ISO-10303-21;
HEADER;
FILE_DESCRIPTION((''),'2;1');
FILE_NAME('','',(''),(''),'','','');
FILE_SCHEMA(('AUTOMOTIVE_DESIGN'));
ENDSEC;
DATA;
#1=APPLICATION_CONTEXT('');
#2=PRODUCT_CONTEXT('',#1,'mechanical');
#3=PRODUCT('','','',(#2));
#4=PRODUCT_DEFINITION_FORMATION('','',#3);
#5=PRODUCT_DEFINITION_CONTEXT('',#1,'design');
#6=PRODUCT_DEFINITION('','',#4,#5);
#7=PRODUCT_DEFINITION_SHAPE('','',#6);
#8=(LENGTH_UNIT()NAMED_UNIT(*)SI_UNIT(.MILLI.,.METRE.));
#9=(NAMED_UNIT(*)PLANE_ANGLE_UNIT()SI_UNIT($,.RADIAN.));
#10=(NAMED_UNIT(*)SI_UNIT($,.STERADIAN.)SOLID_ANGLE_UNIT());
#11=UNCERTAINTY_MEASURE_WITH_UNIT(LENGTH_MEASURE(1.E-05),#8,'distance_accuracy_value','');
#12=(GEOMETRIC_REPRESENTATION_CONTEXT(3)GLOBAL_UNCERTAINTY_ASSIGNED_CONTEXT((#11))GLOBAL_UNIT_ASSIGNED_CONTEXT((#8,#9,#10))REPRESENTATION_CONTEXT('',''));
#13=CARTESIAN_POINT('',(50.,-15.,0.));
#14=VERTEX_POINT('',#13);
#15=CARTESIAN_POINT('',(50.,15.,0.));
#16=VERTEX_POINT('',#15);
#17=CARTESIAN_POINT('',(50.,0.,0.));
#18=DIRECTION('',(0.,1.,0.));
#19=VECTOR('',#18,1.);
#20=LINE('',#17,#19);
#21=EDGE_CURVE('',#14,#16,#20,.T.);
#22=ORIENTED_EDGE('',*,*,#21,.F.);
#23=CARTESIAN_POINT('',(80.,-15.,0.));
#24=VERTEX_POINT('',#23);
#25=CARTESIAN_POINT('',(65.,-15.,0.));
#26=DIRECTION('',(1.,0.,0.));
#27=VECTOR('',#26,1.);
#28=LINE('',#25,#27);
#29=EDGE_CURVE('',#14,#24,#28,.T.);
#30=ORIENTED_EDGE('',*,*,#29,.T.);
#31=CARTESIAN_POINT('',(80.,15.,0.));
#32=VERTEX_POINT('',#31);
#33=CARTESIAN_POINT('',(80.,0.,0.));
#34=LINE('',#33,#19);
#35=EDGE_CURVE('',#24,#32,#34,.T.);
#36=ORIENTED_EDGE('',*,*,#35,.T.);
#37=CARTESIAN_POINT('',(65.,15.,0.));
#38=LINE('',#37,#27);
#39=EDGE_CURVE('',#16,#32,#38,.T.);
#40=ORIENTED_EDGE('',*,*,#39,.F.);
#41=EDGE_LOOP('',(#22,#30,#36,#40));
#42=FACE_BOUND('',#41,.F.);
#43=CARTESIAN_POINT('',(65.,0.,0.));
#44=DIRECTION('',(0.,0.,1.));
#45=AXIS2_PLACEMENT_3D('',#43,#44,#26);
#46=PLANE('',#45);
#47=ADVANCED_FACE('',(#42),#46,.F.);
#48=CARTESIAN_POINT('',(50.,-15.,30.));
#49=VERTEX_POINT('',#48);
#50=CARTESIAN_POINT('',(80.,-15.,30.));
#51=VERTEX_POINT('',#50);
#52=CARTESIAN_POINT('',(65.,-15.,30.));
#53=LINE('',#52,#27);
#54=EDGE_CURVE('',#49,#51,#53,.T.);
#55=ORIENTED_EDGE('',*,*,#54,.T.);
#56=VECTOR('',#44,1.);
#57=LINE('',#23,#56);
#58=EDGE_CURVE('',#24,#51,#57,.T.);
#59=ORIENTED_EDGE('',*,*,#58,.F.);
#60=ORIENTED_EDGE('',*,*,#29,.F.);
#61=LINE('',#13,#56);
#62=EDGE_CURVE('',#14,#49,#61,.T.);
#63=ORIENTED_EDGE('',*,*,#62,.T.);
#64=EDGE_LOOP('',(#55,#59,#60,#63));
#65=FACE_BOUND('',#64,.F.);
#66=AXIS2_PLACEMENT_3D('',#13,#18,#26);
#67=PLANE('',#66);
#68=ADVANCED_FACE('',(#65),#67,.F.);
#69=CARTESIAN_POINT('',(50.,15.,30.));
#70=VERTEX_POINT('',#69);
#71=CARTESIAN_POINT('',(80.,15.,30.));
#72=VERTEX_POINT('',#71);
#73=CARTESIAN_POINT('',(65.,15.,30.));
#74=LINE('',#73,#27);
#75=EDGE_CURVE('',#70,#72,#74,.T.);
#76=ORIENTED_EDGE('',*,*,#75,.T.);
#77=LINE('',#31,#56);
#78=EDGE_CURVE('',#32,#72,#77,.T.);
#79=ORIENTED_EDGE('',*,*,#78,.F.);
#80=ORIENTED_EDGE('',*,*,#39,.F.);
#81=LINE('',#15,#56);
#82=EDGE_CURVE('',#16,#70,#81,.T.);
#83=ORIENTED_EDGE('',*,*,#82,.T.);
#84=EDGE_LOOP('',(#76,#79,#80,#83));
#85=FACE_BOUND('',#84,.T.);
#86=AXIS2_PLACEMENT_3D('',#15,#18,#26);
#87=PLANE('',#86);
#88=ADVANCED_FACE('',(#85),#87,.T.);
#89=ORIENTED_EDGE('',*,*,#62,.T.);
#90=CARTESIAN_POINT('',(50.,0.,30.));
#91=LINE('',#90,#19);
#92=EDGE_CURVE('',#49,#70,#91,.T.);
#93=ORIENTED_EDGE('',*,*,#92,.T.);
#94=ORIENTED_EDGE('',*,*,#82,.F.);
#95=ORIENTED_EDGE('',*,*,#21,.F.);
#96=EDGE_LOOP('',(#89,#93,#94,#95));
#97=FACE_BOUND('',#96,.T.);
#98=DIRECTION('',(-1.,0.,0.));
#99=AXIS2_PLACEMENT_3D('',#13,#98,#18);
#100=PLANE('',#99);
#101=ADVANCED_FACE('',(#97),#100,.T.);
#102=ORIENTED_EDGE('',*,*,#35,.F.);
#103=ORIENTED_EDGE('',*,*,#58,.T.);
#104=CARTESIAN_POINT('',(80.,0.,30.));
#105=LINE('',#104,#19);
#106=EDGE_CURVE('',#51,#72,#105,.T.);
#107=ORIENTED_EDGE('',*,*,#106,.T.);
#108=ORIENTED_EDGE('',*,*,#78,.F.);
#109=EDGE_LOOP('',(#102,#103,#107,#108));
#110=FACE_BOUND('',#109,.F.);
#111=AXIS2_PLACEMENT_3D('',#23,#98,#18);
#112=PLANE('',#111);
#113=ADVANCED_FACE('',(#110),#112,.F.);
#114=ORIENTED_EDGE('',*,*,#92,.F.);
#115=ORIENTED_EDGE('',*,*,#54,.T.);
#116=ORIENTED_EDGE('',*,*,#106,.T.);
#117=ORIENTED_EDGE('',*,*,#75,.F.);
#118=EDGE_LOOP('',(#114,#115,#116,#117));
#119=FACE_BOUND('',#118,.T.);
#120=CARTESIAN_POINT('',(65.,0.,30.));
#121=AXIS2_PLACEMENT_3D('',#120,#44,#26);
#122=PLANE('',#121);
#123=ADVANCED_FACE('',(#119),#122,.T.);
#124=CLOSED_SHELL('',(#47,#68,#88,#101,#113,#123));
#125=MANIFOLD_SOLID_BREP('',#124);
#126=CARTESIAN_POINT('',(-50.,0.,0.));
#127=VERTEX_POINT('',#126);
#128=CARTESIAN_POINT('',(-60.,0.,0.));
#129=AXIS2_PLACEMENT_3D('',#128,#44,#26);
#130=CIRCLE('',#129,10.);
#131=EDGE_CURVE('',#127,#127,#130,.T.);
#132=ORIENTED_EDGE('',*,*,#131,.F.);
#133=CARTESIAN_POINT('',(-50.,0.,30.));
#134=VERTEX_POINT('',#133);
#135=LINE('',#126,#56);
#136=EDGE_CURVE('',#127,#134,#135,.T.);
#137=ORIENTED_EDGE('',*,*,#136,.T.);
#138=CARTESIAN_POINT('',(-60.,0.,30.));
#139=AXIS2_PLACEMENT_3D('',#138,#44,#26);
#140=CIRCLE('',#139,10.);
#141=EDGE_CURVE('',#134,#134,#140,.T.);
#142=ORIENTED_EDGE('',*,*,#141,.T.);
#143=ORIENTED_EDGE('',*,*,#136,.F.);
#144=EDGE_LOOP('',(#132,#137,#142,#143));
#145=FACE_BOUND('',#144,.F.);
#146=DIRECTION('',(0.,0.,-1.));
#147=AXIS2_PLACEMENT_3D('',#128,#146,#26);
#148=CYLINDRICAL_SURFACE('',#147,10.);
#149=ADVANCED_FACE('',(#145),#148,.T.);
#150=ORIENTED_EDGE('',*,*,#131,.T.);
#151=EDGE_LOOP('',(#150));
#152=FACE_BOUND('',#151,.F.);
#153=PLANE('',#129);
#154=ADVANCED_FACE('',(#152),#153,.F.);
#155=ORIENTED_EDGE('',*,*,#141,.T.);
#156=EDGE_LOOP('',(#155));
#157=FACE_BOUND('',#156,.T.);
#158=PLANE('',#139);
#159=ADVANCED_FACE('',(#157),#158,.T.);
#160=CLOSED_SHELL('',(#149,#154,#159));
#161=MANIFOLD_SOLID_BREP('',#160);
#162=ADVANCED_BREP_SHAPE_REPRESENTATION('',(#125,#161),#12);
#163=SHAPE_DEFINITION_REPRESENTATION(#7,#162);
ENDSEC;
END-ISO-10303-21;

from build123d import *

# Parameters (mm, degrees)
SKETCH_R     = 10
PAD_DEPTH    = 30
SKETCH001_W  = 30
SKETCH001_H  = 30
PAD001_DEPTH = 30


with BuildPart() as body:
    # Sketch → Pad (new body)
    with BuildSketch(Plane.XY):
        with Locations((-60, 0)):
            Circle(SKETCH_R)
    extrude(amount=PAD_DEPTH)


with BuildPart() as body001:
    # Sketch001 → Pad001 (new body)
    with BuildSketch(Plane.XY):
        with Locations((65, 0)):
            Rectangle(SKETCH001_W, SKETCH001_H)
    extrude(amount=PAD001_DEPTH)


solid = Compound([body.part, body001.part])
